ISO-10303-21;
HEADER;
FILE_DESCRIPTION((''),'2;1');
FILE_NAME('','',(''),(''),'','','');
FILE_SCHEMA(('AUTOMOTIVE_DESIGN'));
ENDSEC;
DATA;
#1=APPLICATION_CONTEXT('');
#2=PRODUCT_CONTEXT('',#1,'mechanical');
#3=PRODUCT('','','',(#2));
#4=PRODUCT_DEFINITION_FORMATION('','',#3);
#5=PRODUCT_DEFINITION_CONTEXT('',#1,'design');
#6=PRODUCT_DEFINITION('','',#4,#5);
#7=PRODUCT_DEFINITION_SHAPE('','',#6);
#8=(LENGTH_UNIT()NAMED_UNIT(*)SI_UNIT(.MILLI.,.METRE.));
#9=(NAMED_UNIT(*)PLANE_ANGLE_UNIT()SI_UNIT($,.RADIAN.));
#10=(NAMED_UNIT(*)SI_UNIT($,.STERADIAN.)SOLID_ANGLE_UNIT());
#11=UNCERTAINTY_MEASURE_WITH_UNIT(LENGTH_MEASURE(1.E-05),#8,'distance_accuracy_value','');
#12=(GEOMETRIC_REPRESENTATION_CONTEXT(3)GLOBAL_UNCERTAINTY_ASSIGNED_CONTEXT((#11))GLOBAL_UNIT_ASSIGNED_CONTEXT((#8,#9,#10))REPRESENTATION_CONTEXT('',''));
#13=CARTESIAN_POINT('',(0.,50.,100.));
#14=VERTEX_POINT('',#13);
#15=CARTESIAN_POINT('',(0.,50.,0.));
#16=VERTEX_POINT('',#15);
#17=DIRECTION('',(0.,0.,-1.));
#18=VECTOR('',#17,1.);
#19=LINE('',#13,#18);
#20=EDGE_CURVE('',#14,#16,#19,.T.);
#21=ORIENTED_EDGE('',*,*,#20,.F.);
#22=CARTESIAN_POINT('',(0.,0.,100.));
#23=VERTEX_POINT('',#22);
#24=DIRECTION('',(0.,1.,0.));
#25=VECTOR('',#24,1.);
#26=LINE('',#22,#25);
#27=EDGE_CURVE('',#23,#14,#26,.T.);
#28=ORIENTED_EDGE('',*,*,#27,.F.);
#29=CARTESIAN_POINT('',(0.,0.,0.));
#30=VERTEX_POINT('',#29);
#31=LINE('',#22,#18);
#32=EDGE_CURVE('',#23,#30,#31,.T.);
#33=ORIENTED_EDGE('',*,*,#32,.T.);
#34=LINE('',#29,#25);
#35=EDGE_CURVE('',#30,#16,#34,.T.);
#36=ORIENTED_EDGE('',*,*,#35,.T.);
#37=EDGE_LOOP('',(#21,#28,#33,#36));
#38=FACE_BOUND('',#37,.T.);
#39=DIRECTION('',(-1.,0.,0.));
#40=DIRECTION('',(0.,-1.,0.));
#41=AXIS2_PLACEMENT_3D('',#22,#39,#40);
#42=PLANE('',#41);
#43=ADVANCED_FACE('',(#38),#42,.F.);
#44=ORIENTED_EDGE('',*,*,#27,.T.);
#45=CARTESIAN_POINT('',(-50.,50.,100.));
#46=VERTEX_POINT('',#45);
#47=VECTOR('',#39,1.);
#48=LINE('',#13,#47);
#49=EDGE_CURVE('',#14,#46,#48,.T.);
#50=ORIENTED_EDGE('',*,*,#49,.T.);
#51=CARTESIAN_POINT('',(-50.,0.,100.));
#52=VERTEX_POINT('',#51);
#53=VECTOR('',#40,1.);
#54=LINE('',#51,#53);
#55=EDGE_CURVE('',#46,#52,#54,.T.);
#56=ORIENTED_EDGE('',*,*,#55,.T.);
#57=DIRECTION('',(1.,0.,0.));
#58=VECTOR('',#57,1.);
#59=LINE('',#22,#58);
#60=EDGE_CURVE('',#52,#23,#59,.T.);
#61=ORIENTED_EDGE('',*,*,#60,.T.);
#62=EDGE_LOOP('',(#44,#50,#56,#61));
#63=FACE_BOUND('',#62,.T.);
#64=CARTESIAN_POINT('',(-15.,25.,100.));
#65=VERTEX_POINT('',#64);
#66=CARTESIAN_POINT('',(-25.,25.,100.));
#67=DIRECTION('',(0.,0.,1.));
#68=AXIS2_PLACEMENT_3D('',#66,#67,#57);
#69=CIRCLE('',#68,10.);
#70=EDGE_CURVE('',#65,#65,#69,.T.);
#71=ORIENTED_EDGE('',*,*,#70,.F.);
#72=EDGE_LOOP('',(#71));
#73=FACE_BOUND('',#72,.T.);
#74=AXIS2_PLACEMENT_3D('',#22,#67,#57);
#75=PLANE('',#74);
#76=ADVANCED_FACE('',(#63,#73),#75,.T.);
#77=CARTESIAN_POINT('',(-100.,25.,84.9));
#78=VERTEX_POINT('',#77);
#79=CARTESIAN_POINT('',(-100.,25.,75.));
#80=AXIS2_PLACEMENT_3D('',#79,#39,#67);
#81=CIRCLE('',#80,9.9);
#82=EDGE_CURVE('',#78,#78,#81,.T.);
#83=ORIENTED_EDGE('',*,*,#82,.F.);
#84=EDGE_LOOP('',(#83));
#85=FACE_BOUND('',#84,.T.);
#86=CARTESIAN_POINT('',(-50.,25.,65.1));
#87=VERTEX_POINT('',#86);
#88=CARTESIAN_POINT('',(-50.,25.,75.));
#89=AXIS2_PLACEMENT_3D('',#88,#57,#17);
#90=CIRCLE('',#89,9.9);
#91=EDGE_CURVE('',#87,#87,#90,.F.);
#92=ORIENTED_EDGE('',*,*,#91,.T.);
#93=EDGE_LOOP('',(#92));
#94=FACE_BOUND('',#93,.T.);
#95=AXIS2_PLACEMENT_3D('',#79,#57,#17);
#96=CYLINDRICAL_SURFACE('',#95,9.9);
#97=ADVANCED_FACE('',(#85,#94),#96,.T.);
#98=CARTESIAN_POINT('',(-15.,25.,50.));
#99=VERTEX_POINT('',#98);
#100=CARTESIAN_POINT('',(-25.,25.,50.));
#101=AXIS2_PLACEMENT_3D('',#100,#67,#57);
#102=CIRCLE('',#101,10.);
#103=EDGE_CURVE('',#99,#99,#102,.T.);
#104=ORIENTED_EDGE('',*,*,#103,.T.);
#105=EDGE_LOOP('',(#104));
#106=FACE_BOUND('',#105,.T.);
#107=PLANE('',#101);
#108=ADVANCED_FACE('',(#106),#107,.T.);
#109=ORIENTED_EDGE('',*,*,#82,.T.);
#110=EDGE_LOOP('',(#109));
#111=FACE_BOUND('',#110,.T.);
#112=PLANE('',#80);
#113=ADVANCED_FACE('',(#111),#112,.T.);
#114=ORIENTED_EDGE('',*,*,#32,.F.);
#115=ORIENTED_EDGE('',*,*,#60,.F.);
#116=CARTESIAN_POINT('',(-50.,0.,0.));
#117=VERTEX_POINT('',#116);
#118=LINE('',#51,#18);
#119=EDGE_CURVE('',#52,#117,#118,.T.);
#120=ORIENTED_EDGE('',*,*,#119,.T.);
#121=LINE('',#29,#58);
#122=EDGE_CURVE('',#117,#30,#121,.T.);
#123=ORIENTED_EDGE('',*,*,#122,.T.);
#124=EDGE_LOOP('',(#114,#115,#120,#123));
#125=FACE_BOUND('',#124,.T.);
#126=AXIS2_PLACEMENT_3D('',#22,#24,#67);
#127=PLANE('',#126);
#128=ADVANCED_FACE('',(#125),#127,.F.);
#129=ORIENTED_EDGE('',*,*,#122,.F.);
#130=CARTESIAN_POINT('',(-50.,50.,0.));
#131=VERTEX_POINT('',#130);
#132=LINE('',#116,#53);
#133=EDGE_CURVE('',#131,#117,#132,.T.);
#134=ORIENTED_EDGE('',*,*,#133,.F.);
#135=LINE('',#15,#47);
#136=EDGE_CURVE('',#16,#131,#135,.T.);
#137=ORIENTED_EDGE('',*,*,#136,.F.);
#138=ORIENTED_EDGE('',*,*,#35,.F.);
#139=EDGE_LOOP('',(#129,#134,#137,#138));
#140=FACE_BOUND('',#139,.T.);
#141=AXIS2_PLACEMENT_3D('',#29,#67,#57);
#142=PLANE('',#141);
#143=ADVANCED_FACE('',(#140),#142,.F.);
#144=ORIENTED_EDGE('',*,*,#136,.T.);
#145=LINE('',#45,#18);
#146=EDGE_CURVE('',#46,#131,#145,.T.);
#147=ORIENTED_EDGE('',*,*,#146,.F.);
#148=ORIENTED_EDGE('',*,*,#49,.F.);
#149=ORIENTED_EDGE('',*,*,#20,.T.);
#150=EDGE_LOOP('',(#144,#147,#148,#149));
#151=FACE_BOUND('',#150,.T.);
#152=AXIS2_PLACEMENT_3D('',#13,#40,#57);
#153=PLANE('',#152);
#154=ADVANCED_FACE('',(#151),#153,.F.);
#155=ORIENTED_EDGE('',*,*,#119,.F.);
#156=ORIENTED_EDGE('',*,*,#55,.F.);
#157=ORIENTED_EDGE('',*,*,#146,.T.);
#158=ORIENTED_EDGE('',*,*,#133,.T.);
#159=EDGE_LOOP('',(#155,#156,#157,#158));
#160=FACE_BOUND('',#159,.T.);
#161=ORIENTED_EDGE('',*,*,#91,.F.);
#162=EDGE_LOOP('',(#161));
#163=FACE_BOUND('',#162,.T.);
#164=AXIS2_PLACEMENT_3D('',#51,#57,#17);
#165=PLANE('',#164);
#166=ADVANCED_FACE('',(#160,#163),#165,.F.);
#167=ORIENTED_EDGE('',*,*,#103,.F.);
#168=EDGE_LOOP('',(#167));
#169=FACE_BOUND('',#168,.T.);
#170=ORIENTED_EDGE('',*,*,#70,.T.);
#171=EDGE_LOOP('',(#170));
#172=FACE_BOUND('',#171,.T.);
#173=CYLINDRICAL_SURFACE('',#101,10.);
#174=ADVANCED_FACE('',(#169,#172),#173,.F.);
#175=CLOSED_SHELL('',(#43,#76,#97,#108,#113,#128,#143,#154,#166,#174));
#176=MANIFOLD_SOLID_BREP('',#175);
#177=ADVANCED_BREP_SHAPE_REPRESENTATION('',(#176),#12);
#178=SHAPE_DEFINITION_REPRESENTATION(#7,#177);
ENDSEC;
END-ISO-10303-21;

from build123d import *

# Parameters (mm, degrees)
SKETCH1_W           = 50
SKETCH1_H           = 50
BOSS_EXTRUDE1_DEPTH = 100
SKETCH2_R           = 9.9
BOSS_EXTRUDE2_DEPTH = 50
SKETCH3_R           = 10
CUT_EXTRUDE1_DEPTH  = 50


with BuildPart() as part:
    # Sketch1 → Boss-Extrude1 (new body)
    with BuildSketch(Plane.XY):
        with Locations((-25, 25)):
            Rectangle(SKETCH1_W, SKETCH1_H)
    extrude(amount=BOSS_EXTRUDE1_DEPTH)

    # Sketch2 → Boss-Extrude2 (add)
    with BuildSketch(Plane.ZY.offset(50)):
        with Locations(Location((75, 25, 0), (0, 0, 180))):
            Circle(SKETCH2_R)
    extrude(amount=BOSS_EXTRUDE2_DEPTH)

    # Sketch3 → Cut-Extrude1 (cut)
    with BuildSketch(Plane.XY.offset(100)):
        with Locations((-25, 25)):
            Circle(SKETCH3_R)
    extrude(amount=-CUT_EXTRUDE1_DEPTH, mode=Mode.SUBTRACT)


solid = part.part
